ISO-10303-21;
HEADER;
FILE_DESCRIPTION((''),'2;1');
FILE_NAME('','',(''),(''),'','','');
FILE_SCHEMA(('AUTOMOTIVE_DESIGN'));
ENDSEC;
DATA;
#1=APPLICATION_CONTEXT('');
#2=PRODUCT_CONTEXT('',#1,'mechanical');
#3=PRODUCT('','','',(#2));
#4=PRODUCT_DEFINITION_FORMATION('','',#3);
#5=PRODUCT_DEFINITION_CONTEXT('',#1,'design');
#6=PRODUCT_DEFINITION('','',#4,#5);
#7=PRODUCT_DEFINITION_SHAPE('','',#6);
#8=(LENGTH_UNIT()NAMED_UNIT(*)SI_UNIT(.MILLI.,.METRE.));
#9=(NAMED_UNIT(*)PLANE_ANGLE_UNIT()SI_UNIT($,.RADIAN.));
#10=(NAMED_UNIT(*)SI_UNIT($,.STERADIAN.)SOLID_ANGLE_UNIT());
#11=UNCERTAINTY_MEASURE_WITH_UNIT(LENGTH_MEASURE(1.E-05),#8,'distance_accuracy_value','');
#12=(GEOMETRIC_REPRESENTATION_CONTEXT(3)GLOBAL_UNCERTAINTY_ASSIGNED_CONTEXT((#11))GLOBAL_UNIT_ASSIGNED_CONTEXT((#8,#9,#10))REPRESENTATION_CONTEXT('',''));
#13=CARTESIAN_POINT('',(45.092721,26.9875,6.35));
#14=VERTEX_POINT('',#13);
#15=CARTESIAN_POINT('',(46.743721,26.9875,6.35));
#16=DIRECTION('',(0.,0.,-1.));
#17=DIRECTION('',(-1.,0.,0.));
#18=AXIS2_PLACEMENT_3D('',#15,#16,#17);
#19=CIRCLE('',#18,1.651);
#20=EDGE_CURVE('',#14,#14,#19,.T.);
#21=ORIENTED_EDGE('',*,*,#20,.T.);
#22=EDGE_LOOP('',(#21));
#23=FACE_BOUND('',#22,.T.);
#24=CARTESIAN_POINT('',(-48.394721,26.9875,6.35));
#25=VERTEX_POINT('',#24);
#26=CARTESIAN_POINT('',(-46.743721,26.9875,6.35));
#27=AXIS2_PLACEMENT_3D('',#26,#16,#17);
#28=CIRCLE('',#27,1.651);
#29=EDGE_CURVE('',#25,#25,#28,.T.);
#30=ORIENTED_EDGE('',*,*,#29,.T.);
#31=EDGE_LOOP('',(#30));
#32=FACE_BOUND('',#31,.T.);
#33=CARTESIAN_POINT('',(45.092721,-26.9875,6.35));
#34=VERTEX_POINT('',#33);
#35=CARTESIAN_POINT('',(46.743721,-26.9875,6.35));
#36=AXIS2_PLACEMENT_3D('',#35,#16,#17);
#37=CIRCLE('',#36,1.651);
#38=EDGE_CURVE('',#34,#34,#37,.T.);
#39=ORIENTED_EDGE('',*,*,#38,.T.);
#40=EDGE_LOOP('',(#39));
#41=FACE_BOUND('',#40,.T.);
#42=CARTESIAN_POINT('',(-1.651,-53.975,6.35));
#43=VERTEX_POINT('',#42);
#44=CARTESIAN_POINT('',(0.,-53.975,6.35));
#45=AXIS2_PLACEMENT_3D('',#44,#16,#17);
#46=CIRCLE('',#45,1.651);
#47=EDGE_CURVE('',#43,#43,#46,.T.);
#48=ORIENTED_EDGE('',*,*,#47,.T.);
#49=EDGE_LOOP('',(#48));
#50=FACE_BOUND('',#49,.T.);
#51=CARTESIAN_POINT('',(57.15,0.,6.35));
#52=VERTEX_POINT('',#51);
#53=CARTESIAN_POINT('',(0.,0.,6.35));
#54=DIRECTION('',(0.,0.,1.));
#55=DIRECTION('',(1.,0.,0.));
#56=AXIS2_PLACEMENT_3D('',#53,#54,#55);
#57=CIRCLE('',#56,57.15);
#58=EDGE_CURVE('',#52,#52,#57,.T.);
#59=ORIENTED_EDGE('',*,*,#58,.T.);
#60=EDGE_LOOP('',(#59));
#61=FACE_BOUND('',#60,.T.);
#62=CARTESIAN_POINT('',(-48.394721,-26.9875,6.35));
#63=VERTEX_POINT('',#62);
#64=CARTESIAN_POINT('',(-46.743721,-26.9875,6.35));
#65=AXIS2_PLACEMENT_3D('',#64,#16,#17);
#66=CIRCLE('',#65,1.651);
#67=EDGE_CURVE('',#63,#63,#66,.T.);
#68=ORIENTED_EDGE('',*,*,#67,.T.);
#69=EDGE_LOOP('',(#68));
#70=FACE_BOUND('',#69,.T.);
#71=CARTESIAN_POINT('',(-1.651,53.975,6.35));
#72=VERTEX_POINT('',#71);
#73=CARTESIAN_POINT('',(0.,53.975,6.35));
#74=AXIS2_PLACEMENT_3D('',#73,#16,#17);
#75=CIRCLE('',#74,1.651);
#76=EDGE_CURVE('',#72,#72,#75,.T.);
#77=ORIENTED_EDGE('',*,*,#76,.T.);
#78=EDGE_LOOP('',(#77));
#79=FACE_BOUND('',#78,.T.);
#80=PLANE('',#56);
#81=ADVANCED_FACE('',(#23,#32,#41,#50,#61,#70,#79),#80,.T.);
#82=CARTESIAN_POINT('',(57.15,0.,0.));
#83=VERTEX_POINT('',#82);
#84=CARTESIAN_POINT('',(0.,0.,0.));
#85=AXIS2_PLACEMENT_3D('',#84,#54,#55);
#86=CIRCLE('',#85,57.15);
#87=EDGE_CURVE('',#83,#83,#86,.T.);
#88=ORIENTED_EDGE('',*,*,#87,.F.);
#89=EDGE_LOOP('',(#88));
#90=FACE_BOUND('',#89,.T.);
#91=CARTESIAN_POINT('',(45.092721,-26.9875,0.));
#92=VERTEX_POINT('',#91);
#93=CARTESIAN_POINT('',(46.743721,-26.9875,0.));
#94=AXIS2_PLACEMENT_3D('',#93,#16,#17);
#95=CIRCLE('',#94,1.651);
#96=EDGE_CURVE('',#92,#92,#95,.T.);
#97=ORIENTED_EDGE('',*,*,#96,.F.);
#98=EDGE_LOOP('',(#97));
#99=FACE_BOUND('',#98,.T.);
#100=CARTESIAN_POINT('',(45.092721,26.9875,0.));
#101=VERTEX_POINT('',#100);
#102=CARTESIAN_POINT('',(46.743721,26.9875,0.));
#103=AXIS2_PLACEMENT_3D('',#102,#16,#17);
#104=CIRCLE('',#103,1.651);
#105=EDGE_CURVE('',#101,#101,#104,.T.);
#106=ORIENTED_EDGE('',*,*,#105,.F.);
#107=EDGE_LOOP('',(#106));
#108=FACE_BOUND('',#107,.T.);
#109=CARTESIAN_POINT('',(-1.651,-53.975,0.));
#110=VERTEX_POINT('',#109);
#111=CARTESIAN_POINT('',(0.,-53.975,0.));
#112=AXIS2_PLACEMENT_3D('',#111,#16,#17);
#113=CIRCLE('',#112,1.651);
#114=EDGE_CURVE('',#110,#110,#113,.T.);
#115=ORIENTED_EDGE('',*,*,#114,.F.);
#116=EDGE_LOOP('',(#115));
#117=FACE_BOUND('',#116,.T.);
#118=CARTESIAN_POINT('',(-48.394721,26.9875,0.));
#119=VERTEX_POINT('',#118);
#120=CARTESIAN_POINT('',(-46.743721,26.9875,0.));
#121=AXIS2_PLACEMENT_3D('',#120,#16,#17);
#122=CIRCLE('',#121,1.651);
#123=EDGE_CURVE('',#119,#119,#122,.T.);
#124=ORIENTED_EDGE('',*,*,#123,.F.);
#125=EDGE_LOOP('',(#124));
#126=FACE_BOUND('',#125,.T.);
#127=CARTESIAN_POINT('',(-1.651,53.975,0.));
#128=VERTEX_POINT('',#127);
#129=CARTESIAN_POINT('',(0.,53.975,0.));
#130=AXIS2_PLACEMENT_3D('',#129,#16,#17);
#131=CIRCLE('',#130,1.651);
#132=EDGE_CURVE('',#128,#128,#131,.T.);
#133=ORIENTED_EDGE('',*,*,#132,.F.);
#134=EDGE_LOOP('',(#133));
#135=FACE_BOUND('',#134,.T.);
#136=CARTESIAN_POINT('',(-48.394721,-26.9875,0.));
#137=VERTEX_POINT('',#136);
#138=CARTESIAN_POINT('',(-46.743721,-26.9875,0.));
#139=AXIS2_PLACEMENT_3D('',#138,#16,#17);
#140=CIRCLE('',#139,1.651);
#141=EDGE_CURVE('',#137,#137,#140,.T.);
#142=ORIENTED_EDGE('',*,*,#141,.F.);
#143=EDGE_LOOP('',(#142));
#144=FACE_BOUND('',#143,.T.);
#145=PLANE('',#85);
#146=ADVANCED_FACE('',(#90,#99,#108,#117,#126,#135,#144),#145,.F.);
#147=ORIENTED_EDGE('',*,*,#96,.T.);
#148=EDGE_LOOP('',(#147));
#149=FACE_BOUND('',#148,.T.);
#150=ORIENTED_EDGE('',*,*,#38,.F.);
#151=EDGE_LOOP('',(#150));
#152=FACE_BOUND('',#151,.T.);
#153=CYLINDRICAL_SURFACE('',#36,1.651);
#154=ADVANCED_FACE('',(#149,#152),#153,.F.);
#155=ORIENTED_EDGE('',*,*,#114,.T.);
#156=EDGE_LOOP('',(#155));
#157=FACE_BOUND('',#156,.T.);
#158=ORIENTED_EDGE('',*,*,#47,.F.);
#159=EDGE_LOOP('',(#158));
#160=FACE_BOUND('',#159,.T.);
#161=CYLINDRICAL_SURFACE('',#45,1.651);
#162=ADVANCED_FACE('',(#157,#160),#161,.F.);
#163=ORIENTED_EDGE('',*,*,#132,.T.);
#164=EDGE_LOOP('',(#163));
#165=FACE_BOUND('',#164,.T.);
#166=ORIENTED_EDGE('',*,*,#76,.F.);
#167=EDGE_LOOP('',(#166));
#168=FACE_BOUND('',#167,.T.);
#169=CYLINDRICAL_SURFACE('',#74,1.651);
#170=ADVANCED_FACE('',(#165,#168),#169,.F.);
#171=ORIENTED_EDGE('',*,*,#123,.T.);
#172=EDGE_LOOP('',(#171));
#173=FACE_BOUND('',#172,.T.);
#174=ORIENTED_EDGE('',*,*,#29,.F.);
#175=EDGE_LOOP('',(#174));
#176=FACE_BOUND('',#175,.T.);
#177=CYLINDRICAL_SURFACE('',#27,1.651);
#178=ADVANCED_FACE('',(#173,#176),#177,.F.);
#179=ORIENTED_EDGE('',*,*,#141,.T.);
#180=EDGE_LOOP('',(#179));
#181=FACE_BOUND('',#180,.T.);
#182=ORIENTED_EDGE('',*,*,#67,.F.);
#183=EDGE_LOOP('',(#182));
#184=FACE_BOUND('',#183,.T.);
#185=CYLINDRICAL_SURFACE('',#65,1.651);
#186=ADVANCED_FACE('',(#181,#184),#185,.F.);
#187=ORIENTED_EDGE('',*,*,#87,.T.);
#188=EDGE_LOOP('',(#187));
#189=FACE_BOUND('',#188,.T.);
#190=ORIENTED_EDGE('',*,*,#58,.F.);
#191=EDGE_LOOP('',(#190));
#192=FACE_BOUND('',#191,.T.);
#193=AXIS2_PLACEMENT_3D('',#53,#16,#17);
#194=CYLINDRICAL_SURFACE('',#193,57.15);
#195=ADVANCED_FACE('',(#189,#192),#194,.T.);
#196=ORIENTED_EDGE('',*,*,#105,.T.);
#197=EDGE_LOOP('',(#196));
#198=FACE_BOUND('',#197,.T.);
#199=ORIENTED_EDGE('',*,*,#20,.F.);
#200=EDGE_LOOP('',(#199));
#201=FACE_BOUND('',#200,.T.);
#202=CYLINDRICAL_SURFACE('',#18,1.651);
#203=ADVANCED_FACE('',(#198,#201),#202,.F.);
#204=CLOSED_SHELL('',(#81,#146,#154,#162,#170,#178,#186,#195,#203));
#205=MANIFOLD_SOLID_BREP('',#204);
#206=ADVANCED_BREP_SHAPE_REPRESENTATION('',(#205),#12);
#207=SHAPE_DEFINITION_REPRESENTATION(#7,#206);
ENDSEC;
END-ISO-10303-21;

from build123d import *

# Parameters (mm, degrees)
SKETCH_1_R          = 57.15
EXTRUDE_1_DEPTH     = 6.35
SKETCH_2_R          = 1.651
CUT_EXTRUDE_1_DEPTH = 82.071372876


with BuildPart() as part:
    # 草图1 → 凸台-拉伸1 (new body)
    with BuildSketch(Plane.XY):
        Circle(SKETCH_1_R)
    extrude(amount=EXTRUDE_1_DEPTH)

    # 草图2 → 切除-拉伸1 (cut, through all)
    with BuildSketch(Plane(origin=(0, 0, 0), x_dir=(-1, 0, 0), z_dir=(0, 0, -1))):
        with Locations((-46.743721169, 26.9875)):
            Circle(SKETCH_2_R)
        with Locations((0, 53.975)):
            Circle(SKETCH_2_R)
        with Locations((46.743721169, 26.9875)):
            Circle(SKETCH_2_R)
        with Locations((46.743721169, -26.9875)):
            Circle(SKETCH_2_R)
        with Locations((0, -53.975)):
            Circle(SKETCH_2_R)
        with Locations((-46.743721169, -26.9875)):
            Circle(SKETCH_2_R)
    extrude(amount=-CUT_EXTRUDE_1_DEPTH, mode=Mode.SUBTRACT)


solid = part.part
